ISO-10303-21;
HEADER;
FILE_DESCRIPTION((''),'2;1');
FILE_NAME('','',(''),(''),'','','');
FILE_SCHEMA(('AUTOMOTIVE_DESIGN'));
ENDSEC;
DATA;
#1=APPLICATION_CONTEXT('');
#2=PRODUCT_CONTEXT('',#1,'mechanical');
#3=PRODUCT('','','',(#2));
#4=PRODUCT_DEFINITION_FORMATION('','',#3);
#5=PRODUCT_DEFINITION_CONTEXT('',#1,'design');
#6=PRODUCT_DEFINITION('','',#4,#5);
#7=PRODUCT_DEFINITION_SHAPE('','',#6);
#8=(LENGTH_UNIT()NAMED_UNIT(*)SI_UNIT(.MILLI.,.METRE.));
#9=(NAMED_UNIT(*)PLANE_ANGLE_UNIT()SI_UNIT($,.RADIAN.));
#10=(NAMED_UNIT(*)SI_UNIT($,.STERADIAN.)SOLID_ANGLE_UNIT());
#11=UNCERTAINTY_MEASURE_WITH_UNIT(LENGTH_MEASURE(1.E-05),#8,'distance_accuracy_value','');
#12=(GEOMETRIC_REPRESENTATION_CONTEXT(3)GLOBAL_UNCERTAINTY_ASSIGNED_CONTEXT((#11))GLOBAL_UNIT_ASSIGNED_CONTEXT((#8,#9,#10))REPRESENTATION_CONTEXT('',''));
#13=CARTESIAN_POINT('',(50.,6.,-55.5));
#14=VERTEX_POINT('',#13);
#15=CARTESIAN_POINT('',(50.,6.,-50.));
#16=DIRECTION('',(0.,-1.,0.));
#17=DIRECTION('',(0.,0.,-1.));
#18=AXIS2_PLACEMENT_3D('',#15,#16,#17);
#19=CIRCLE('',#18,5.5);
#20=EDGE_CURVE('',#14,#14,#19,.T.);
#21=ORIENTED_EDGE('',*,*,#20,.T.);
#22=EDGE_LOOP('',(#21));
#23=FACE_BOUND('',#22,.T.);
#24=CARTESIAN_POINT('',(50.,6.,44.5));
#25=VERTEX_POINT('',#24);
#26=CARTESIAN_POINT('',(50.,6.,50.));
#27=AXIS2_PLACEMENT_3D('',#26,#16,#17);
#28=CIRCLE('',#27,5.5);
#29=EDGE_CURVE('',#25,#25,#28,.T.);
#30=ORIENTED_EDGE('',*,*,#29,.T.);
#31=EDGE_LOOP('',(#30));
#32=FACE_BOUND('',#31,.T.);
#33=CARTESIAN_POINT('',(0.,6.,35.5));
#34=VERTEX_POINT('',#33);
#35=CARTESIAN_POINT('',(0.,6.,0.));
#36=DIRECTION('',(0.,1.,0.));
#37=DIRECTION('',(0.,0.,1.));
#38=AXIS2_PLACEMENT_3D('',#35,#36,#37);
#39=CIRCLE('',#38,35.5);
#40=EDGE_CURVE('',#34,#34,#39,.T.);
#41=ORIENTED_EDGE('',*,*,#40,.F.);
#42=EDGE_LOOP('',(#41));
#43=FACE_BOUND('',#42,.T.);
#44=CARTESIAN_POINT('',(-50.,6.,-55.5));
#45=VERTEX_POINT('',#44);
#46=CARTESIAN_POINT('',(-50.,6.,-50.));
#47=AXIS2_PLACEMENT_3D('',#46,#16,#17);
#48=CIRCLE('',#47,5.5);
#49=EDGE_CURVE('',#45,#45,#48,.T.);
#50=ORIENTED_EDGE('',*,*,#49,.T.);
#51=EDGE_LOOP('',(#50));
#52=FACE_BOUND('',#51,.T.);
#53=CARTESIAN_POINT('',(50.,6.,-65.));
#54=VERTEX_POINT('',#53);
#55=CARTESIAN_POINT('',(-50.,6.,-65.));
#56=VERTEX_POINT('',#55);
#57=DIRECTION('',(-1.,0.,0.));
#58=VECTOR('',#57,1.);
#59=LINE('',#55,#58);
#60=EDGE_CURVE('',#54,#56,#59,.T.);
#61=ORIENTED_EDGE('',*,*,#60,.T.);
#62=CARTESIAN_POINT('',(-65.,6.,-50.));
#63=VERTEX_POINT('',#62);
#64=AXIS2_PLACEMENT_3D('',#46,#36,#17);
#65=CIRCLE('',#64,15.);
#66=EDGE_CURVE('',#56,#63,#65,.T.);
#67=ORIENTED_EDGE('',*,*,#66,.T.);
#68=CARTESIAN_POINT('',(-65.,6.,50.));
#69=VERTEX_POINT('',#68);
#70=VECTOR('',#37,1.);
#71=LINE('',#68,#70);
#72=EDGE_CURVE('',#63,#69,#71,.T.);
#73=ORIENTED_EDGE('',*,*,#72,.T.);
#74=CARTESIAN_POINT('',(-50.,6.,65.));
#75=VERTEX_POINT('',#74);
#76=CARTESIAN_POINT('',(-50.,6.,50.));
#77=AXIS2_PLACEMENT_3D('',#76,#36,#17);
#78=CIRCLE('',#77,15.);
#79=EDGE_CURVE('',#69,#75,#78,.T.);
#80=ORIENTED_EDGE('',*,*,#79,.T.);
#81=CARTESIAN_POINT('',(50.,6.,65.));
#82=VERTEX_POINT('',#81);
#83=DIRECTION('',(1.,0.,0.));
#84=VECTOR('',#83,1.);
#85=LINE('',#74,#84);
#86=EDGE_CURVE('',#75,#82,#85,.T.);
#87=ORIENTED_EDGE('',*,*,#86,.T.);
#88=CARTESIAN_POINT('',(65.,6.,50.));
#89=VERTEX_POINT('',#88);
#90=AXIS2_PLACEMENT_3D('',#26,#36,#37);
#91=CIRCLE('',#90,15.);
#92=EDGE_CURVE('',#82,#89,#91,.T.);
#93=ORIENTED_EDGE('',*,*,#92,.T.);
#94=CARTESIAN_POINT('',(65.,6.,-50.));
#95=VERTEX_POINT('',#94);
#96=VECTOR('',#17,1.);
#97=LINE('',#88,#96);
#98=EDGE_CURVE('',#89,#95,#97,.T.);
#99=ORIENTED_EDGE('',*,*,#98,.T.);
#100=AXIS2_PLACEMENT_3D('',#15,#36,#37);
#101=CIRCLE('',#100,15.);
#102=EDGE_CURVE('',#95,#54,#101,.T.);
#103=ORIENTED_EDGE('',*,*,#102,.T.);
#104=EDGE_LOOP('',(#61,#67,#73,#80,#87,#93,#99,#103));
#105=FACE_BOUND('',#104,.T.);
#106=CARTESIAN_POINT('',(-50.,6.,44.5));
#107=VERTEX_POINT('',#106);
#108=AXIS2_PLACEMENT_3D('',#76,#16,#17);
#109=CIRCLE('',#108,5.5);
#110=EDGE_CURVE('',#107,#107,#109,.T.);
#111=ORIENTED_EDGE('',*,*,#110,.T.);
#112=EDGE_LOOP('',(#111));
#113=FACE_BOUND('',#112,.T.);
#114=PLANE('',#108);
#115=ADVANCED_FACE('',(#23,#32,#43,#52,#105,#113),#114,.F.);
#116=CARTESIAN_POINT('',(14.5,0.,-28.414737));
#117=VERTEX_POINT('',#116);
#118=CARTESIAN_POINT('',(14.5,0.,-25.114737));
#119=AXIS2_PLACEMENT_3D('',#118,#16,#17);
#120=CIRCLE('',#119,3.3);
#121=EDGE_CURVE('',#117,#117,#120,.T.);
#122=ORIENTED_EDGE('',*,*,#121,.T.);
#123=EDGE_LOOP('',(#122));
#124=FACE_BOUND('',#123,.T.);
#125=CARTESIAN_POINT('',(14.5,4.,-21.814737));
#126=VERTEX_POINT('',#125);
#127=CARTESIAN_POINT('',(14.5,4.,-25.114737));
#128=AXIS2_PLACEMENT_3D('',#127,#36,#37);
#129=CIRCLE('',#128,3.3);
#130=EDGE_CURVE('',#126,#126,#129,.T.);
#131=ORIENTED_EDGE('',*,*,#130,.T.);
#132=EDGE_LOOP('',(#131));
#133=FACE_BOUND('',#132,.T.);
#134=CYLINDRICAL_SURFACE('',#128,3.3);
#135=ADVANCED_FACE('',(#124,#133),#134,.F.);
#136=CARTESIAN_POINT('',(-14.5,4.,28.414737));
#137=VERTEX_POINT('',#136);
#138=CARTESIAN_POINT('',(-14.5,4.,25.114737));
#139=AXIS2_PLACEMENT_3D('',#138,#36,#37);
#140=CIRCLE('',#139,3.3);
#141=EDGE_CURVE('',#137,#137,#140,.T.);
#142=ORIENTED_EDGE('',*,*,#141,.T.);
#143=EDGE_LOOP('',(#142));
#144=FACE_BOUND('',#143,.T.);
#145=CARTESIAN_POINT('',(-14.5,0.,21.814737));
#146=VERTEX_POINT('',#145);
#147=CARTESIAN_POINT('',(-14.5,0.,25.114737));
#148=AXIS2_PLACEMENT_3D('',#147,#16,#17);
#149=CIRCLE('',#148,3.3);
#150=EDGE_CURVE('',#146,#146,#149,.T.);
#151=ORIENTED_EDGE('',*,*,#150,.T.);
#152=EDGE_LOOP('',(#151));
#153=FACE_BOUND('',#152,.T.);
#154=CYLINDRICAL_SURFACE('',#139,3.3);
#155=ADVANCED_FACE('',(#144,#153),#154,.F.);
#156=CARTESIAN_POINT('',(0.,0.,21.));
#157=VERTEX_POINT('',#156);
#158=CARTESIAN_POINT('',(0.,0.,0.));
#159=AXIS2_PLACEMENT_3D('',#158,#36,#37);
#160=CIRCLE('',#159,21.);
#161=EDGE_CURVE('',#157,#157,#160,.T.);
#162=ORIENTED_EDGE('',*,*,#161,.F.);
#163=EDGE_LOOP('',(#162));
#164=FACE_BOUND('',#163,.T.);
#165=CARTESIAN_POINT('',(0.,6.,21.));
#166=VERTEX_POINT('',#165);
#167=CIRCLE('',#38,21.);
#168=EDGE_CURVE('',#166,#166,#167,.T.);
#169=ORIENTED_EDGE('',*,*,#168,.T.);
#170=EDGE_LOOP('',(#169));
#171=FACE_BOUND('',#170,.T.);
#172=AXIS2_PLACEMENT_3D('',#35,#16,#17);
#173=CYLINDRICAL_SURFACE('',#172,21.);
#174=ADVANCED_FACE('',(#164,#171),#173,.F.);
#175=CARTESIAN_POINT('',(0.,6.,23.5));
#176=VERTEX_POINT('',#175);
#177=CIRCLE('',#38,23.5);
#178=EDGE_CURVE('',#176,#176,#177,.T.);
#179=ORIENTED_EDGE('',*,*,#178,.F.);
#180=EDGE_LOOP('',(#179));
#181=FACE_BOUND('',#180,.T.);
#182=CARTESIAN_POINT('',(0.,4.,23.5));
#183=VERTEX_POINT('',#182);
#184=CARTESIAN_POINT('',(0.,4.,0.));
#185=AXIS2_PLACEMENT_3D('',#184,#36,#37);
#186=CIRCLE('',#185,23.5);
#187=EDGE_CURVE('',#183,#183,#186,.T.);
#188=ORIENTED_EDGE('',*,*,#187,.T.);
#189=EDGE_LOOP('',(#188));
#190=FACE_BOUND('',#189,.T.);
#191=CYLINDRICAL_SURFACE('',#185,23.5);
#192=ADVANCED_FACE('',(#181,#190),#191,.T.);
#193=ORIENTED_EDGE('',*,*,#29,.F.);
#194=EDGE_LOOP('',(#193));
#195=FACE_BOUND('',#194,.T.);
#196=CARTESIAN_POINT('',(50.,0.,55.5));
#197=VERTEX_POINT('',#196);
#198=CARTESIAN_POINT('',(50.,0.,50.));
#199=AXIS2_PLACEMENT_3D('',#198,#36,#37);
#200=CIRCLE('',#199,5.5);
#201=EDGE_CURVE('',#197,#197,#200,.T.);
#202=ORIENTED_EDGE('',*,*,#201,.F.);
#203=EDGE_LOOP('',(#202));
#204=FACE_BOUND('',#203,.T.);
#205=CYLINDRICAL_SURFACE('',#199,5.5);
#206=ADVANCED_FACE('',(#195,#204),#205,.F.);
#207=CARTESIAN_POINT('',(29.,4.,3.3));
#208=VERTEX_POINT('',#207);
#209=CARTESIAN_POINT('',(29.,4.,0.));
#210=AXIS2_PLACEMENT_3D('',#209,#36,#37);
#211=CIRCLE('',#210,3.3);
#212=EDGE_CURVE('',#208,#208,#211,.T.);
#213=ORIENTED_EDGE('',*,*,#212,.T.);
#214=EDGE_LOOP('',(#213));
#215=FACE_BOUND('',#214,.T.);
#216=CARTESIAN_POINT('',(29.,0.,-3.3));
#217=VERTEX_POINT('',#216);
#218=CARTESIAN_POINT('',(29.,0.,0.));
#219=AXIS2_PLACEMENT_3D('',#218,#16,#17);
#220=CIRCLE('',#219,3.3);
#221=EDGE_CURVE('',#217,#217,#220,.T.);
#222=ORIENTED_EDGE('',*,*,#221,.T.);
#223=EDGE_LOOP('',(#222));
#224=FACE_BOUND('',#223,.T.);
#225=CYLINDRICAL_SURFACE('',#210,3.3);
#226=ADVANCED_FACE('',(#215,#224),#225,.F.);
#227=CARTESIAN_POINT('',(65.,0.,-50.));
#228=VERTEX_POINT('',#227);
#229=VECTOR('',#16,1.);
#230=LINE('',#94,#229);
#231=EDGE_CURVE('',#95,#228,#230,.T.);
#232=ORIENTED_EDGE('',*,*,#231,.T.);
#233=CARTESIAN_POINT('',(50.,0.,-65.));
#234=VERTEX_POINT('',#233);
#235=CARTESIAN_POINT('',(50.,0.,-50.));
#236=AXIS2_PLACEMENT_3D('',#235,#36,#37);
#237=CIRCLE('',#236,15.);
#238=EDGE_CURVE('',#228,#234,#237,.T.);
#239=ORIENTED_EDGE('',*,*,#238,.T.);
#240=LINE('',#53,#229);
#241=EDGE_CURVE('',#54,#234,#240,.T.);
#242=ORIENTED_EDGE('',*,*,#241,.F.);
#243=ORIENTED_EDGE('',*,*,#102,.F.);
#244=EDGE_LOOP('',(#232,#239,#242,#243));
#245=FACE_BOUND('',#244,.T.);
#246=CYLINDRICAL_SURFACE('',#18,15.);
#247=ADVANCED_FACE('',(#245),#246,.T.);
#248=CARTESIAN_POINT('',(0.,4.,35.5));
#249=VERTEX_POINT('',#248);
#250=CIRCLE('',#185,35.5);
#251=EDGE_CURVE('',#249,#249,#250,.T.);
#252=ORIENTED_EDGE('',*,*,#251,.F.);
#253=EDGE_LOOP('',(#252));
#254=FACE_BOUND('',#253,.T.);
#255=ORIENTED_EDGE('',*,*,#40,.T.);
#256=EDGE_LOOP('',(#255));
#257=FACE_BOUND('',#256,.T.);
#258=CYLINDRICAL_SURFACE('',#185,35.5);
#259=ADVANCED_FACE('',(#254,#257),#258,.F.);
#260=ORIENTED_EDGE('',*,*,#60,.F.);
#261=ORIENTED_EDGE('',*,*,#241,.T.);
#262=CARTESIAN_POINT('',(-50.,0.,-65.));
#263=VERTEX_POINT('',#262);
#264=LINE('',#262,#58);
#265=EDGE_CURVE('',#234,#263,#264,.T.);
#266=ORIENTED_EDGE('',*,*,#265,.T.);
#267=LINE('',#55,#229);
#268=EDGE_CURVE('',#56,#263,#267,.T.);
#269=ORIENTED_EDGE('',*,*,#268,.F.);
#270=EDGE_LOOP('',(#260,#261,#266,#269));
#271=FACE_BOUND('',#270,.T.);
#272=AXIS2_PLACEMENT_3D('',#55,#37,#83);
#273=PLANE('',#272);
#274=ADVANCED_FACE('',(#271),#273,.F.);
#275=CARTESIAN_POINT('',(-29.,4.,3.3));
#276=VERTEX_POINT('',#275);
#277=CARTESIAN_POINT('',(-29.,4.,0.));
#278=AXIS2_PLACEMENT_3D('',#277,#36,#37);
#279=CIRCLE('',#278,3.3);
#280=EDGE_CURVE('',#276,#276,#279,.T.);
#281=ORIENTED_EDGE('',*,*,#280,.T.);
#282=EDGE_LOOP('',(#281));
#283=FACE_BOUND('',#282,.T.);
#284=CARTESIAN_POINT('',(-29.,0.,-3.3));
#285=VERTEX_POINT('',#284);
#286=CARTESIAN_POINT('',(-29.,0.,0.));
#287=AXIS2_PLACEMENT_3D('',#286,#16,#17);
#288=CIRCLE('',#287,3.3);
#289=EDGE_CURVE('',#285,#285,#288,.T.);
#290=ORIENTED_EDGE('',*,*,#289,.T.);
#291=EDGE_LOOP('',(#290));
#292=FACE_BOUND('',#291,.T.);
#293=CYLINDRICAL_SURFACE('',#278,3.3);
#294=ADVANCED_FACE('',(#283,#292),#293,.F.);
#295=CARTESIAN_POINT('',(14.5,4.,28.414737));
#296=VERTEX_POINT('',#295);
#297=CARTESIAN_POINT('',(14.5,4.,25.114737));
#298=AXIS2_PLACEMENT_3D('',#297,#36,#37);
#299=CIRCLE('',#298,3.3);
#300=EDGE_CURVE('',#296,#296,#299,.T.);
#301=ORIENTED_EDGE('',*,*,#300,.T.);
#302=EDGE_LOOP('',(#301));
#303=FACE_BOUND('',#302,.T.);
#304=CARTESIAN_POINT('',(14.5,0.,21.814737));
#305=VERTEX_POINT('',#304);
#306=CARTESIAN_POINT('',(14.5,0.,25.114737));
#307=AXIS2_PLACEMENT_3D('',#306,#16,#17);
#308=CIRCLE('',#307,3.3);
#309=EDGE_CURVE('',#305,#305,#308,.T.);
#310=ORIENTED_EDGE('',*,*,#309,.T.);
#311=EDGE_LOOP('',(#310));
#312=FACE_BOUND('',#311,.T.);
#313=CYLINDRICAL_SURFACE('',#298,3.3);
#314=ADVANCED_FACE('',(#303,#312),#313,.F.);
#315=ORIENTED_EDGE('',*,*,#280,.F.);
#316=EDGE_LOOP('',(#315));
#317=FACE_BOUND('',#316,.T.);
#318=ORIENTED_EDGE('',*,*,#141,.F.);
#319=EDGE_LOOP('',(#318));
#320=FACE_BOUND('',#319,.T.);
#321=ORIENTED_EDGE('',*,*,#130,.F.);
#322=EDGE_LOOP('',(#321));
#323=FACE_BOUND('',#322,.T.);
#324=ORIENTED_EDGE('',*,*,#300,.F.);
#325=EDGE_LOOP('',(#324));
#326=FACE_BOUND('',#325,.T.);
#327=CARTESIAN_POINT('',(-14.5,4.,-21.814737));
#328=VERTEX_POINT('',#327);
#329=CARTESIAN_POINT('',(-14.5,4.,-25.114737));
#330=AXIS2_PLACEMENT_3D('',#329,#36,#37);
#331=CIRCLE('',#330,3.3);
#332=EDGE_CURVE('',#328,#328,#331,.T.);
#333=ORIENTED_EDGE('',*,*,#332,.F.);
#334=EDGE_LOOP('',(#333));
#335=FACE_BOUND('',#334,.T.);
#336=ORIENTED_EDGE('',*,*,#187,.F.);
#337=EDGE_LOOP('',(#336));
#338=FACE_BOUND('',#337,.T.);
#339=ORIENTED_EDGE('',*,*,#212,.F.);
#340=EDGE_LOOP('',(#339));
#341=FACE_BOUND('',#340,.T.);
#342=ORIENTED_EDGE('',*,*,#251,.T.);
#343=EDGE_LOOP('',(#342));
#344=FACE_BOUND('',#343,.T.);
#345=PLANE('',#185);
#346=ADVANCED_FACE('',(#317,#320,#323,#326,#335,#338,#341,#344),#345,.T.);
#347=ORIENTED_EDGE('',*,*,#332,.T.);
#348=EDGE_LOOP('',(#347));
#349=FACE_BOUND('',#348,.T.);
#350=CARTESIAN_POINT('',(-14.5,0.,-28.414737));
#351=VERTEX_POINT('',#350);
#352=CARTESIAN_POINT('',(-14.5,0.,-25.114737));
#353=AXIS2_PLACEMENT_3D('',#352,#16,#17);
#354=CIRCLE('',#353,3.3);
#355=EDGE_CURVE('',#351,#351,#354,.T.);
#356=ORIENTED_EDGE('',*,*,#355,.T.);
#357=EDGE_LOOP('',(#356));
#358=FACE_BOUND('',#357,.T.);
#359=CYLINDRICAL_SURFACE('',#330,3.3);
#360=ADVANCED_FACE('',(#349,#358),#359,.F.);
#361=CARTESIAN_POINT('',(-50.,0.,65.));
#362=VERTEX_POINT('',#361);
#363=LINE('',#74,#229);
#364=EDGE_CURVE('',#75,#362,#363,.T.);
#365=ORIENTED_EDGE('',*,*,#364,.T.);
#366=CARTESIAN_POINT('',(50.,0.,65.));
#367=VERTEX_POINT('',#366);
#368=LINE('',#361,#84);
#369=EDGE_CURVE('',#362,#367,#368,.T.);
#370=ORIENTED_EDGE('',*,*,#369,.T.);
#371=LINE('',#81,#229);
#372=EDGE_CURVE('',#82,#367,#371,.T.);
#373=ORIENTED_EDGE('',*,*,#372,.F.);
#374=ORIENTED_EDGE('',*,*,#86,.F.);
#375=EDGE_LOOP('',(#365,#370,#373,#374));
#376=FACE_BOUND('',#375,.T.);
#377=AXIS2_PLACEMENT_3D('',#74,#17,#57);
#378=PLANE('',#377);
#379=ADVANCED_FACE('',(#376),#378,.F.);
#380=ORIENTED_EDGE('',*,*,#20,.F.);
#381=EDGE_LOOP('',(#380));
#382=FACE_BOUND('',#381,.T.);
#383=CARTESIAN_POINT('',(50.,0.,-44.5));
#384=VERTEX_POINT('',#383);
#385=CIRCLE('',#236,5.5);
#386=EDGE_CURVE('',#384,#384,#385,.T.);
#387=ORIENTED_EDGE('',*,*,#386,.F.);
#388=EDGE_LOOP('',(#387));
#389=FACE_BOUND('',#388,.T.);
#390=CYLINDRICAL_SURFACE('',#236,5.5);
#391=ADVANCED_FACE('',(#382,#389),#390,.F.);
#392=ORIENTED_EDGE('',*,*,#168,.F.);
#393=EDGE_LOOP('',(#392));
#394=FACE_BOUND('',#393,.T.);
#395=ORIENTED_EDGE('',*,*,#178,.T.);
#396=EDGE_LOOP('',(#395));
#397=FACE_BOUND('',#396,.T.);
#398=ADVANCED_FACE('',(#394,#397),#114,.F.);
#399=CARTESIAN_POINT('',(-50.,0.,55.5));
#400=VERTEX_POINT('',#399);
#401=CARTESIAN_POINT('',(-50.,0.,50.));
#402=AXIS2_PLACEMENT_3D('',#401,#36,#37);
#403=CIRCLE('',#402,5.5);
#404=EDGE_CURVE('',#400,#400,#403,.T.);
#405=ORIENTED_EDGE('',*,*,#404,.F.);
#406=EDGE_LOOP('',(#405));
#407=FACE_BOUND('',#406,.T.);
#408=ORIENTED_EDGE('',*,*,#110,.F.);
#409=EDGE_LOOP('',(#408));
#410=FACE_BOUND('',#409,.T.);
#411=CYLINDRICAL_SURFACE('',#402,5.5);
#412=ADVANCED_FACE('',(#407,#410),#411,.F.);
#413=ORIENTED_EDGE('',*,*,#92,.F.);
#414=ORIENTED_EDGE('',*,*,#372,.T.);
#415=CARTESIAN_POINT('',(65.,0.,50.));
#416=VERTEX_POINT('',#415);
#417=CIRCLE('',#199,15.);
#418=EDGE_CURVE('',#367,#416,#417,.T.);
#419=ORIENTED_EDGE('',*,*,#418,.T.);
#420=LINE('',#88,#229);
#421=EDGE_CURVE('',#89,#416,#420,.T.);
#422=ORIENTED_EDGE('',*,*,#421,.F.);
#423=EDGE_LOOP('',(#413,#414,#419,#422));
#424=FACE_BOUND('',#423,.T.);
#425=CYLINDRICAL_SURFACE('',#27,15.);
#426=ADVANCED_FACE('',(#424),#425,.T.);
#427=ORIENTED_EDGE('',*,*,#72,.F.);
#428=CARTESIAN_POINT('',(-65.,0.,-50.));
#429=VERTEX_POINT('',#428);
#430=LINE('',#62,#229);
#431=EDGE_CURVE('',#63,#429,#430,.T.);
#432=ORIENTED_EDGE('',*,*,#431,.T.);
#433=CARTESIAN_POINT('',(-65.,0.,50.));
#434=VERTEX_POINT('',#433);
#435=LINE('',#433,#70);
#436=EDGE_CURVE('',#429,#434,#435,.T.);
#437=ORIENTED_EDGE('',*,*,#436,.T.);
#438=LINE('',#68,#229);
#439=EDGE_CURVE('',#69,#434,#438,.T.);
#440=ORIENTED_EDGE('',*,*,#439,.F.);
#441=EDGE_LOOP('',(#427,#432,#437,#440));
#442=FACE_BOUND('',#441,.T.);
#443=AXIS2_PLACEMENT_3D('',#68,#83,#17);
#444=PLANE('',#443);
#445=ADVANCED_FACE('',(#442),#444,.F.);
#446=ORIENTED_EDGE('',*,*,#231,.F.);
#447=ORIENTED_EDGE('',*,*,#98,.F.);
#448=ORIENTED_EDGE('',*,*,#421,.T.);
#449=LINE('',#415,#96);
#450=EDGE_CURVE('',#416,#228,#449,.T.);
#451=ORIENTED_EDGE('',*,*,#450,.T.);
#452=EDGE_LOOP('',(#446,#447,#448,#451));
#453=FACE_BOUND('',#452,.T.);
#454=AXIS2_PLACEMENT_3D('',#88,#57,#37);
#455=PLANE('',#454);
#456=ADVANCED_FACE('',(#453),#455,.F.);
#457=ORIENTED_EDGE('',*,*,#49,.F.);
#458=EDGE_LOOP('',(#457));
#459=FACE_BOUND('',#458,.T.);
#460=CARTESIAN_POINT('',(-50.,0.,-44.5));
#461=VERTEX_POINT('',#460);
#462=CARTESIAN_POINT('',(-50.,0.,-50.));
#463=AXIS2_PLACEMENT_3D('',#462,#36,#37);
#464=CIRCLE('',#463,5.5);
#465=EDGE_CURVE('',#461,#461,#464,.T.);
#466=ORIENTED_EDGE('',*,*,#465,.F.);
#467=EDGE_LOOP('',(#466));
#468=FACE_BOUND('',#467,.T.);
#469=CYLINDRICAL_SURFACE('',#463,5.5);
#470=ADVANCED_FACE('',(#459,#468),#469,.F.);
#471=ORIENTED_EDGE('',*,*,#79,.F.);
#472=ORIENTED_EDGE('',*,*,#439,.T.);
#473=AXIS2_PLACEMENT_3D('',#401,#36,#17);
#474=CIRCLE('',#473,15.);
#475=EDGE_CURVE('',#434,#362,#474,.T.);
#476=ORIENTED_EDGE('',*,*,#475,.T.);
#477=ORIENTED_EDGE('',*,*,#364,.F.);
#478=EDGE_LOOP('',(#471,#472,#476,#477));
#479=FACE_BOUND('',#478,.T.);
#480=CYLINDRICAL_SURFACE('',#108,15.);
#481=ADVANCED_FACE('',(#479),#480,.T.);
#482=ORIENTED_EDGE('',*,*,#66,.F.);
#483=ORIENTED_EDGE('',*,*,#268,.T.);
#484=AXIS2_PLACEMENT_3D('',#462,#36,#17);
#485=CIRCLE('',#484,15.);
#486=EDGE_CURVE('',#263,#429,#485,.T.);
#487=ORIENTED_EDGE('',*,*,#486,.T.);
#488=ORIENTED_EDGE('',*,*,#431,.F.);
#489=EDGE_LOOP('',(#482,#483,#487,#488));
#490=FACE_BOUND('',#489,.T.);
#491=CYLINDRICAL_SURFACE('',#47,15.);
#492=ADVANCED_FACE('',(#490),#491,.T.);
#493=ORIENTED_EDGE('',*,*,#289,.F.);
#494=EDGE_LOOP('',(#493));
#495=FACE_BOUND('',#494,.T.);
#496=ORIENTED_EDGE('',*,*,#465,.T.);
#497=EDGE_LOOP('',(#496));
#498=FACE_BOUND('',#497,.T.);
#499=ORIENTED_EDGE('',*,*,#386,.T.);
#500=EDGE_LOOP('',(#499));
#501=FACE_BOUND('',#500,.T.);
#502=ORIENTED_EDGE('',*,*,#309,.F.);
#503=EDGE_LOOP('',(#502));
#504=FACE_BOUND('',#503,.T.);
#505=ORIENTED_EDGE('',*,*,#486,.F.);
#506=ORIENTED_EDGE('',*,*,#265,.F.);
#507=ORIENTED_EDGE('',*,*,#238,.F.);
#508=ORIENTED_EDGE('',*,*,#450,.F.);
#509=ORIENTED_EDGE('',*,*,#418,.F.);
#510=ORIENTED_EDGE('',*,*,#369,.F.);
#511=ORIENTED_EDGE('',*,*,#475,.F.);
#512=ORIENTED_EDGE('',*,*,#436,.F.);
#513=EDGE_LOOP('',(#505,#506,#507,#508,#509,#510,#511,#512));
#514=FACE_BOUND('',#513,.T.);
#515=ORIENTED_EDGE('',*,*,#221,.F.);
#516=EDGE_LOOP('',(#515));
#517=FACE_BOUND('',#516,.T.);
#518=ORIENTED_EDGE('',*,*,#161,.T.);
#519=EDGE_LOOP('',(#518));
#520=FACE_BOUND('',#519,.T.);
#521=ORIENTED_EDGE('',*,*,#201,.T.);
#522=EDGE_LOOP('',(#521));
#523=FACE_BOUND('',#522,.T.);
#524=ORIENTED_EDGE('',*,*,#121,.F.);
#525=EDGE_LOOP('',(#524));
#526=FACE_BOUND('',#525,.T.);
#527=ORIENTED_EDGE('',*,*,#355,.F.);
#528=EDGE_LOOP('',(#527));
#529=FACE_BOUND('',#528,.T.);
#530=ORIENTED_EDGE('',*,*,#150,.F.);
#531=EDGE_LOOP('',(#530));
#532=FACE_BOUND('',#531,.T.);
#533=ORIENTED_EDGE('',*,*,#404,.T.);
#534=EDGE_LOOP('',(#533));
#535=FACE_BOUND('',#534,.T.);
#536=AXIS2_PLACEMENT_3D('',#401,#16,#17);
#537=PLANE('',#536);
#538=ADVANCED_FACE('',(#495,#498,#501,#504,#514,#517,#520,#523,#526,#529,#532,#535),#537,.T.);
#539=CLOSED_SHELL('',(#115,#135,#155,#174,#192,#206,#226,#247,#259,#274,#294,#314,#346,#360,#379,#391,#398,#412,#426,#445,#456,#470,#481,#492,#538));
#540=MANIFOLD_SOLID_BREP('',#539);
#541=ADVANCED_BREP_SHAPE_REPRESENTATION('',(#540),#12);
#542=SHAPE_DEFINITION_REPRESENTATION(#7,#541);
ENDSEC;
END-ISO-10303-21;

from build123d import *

# Parameters (mm, degrees)
SKETCH1_R                = 21
BOSS_EXTRUDE1_DEPTH      = 6
SKETCH2_R                = 35.5
SKETCH2_R_2              = 23.5
CUT_EXTRUDE1_DEPTH       = 2
SKETCH3_R                = 5.5
CUT_EXTRUDE2_DEPTH       = 1
CUT_EXTRUDE2_DEPTH_BACK  = 7
M6_CLEARANCE_HOLE1_D     = 6.6
M6_CLEARANCE_HOLE1_DEPTH = 4
CIRPATTERN1_COUNT        = 6


with BuildPart() as part:
    # Sketch1 → Boss-Extrude1 (new body)
    with BuildSketch(Plane(origin=(0, 0, 0), x_dir=(1, 0, 0), z_dir=(0, 1, 0))):
        with BuildLine():
            Line((-50, -65), (50, -65))
            ThreePointArc((50, -65), (60.606601718, -60.606601718), (65, -50))
            Line((65, -50), (65, 50))
            ThreePointArc((65, 50), (60.606601718, 60.606601718), (50, 65))
            Line((50, 65), (-50, 65))
            ThreePointArc((-50, 65), (-60.606601718, 60.606601718), (-65, 50))
            Line((-65, 50), (-65, -50))
            ThreePointArc((-65, -50), (-60.606601718, -60.606601718), (-50, -65))
        make_face()
        Circle(SKETCH1_R, mode=Mode.SUBTRACT)
    extrude(amount=BOSS_EXTRUDE1_DEPTH)

    # Sketch2 → Cut-Extrude1 (cut)
    with BuildSketch(Plane(origin=(0, 6, 0), x_dir=(1, 0, 0), z_dir=(0, 1, 0))):
        Circle(SKETCH2_R)
        Circle(SKETCH2_R_2, mode=Mode.SUBTRACT)
    extrude(amount=-CUT_EXTRUDE1_DEPTH, mode=Mode.SUBTRACT)

    # Sketch3 → Cut-Extrude2 (cut, two sides)
    with BuildSketch(Plane(origin=(0, 6, 0), x_dir=(1, 0, 0), z_dir=(0, 1, 0))) as cut_extrude2_sk:
        with Locations((-50, 50)):
            Circle(SKETCH3_R)
        with Locations((50, 50)):
            Circle(SKETCH3_R)
        with Locations((50, -50)):
            Circle(SKETCH3_R)
        with Locations((-50, -50)):
            Circle(SKETCH3_R)
    extrude(amount=CUT_EXTRUDE2_DEPTH, mode=Mode.SUBTRACT)
    extrude(cut_extrude2_sk.sketch, amount=-CUT_EXTRUDE2_DEPTH_BACK, mode=Mode.SUBTRACT)

    # M6 Clearance Hole1
    with Locations(Plane(origin=(-29, 4, 0), x_dir=(0, 0, 1), z_dir=(0, 1, 0))):
        with Locations((0, 0)):
            m6_clearance_hole1 = Hole(M6_CLEARANCE_HOLE1_D / 2, depth=M6_CLEARANCE_HOLE1_DEPTH)

    # CirPattern1: M6 Clearance Hole1 ×6 about axis
    cirpattern1_axis = Axis((0, 0, 0), (0, 1, 0))
    for i in range(1, CIRPATTERN1_COUNT):
        add(m6_clearance_hole1.rotate(cirpattern1_axis, i * 360 / CIRPATTERN1_COUNT), mode=Mode.SUBTRACT)


solid = part.part
